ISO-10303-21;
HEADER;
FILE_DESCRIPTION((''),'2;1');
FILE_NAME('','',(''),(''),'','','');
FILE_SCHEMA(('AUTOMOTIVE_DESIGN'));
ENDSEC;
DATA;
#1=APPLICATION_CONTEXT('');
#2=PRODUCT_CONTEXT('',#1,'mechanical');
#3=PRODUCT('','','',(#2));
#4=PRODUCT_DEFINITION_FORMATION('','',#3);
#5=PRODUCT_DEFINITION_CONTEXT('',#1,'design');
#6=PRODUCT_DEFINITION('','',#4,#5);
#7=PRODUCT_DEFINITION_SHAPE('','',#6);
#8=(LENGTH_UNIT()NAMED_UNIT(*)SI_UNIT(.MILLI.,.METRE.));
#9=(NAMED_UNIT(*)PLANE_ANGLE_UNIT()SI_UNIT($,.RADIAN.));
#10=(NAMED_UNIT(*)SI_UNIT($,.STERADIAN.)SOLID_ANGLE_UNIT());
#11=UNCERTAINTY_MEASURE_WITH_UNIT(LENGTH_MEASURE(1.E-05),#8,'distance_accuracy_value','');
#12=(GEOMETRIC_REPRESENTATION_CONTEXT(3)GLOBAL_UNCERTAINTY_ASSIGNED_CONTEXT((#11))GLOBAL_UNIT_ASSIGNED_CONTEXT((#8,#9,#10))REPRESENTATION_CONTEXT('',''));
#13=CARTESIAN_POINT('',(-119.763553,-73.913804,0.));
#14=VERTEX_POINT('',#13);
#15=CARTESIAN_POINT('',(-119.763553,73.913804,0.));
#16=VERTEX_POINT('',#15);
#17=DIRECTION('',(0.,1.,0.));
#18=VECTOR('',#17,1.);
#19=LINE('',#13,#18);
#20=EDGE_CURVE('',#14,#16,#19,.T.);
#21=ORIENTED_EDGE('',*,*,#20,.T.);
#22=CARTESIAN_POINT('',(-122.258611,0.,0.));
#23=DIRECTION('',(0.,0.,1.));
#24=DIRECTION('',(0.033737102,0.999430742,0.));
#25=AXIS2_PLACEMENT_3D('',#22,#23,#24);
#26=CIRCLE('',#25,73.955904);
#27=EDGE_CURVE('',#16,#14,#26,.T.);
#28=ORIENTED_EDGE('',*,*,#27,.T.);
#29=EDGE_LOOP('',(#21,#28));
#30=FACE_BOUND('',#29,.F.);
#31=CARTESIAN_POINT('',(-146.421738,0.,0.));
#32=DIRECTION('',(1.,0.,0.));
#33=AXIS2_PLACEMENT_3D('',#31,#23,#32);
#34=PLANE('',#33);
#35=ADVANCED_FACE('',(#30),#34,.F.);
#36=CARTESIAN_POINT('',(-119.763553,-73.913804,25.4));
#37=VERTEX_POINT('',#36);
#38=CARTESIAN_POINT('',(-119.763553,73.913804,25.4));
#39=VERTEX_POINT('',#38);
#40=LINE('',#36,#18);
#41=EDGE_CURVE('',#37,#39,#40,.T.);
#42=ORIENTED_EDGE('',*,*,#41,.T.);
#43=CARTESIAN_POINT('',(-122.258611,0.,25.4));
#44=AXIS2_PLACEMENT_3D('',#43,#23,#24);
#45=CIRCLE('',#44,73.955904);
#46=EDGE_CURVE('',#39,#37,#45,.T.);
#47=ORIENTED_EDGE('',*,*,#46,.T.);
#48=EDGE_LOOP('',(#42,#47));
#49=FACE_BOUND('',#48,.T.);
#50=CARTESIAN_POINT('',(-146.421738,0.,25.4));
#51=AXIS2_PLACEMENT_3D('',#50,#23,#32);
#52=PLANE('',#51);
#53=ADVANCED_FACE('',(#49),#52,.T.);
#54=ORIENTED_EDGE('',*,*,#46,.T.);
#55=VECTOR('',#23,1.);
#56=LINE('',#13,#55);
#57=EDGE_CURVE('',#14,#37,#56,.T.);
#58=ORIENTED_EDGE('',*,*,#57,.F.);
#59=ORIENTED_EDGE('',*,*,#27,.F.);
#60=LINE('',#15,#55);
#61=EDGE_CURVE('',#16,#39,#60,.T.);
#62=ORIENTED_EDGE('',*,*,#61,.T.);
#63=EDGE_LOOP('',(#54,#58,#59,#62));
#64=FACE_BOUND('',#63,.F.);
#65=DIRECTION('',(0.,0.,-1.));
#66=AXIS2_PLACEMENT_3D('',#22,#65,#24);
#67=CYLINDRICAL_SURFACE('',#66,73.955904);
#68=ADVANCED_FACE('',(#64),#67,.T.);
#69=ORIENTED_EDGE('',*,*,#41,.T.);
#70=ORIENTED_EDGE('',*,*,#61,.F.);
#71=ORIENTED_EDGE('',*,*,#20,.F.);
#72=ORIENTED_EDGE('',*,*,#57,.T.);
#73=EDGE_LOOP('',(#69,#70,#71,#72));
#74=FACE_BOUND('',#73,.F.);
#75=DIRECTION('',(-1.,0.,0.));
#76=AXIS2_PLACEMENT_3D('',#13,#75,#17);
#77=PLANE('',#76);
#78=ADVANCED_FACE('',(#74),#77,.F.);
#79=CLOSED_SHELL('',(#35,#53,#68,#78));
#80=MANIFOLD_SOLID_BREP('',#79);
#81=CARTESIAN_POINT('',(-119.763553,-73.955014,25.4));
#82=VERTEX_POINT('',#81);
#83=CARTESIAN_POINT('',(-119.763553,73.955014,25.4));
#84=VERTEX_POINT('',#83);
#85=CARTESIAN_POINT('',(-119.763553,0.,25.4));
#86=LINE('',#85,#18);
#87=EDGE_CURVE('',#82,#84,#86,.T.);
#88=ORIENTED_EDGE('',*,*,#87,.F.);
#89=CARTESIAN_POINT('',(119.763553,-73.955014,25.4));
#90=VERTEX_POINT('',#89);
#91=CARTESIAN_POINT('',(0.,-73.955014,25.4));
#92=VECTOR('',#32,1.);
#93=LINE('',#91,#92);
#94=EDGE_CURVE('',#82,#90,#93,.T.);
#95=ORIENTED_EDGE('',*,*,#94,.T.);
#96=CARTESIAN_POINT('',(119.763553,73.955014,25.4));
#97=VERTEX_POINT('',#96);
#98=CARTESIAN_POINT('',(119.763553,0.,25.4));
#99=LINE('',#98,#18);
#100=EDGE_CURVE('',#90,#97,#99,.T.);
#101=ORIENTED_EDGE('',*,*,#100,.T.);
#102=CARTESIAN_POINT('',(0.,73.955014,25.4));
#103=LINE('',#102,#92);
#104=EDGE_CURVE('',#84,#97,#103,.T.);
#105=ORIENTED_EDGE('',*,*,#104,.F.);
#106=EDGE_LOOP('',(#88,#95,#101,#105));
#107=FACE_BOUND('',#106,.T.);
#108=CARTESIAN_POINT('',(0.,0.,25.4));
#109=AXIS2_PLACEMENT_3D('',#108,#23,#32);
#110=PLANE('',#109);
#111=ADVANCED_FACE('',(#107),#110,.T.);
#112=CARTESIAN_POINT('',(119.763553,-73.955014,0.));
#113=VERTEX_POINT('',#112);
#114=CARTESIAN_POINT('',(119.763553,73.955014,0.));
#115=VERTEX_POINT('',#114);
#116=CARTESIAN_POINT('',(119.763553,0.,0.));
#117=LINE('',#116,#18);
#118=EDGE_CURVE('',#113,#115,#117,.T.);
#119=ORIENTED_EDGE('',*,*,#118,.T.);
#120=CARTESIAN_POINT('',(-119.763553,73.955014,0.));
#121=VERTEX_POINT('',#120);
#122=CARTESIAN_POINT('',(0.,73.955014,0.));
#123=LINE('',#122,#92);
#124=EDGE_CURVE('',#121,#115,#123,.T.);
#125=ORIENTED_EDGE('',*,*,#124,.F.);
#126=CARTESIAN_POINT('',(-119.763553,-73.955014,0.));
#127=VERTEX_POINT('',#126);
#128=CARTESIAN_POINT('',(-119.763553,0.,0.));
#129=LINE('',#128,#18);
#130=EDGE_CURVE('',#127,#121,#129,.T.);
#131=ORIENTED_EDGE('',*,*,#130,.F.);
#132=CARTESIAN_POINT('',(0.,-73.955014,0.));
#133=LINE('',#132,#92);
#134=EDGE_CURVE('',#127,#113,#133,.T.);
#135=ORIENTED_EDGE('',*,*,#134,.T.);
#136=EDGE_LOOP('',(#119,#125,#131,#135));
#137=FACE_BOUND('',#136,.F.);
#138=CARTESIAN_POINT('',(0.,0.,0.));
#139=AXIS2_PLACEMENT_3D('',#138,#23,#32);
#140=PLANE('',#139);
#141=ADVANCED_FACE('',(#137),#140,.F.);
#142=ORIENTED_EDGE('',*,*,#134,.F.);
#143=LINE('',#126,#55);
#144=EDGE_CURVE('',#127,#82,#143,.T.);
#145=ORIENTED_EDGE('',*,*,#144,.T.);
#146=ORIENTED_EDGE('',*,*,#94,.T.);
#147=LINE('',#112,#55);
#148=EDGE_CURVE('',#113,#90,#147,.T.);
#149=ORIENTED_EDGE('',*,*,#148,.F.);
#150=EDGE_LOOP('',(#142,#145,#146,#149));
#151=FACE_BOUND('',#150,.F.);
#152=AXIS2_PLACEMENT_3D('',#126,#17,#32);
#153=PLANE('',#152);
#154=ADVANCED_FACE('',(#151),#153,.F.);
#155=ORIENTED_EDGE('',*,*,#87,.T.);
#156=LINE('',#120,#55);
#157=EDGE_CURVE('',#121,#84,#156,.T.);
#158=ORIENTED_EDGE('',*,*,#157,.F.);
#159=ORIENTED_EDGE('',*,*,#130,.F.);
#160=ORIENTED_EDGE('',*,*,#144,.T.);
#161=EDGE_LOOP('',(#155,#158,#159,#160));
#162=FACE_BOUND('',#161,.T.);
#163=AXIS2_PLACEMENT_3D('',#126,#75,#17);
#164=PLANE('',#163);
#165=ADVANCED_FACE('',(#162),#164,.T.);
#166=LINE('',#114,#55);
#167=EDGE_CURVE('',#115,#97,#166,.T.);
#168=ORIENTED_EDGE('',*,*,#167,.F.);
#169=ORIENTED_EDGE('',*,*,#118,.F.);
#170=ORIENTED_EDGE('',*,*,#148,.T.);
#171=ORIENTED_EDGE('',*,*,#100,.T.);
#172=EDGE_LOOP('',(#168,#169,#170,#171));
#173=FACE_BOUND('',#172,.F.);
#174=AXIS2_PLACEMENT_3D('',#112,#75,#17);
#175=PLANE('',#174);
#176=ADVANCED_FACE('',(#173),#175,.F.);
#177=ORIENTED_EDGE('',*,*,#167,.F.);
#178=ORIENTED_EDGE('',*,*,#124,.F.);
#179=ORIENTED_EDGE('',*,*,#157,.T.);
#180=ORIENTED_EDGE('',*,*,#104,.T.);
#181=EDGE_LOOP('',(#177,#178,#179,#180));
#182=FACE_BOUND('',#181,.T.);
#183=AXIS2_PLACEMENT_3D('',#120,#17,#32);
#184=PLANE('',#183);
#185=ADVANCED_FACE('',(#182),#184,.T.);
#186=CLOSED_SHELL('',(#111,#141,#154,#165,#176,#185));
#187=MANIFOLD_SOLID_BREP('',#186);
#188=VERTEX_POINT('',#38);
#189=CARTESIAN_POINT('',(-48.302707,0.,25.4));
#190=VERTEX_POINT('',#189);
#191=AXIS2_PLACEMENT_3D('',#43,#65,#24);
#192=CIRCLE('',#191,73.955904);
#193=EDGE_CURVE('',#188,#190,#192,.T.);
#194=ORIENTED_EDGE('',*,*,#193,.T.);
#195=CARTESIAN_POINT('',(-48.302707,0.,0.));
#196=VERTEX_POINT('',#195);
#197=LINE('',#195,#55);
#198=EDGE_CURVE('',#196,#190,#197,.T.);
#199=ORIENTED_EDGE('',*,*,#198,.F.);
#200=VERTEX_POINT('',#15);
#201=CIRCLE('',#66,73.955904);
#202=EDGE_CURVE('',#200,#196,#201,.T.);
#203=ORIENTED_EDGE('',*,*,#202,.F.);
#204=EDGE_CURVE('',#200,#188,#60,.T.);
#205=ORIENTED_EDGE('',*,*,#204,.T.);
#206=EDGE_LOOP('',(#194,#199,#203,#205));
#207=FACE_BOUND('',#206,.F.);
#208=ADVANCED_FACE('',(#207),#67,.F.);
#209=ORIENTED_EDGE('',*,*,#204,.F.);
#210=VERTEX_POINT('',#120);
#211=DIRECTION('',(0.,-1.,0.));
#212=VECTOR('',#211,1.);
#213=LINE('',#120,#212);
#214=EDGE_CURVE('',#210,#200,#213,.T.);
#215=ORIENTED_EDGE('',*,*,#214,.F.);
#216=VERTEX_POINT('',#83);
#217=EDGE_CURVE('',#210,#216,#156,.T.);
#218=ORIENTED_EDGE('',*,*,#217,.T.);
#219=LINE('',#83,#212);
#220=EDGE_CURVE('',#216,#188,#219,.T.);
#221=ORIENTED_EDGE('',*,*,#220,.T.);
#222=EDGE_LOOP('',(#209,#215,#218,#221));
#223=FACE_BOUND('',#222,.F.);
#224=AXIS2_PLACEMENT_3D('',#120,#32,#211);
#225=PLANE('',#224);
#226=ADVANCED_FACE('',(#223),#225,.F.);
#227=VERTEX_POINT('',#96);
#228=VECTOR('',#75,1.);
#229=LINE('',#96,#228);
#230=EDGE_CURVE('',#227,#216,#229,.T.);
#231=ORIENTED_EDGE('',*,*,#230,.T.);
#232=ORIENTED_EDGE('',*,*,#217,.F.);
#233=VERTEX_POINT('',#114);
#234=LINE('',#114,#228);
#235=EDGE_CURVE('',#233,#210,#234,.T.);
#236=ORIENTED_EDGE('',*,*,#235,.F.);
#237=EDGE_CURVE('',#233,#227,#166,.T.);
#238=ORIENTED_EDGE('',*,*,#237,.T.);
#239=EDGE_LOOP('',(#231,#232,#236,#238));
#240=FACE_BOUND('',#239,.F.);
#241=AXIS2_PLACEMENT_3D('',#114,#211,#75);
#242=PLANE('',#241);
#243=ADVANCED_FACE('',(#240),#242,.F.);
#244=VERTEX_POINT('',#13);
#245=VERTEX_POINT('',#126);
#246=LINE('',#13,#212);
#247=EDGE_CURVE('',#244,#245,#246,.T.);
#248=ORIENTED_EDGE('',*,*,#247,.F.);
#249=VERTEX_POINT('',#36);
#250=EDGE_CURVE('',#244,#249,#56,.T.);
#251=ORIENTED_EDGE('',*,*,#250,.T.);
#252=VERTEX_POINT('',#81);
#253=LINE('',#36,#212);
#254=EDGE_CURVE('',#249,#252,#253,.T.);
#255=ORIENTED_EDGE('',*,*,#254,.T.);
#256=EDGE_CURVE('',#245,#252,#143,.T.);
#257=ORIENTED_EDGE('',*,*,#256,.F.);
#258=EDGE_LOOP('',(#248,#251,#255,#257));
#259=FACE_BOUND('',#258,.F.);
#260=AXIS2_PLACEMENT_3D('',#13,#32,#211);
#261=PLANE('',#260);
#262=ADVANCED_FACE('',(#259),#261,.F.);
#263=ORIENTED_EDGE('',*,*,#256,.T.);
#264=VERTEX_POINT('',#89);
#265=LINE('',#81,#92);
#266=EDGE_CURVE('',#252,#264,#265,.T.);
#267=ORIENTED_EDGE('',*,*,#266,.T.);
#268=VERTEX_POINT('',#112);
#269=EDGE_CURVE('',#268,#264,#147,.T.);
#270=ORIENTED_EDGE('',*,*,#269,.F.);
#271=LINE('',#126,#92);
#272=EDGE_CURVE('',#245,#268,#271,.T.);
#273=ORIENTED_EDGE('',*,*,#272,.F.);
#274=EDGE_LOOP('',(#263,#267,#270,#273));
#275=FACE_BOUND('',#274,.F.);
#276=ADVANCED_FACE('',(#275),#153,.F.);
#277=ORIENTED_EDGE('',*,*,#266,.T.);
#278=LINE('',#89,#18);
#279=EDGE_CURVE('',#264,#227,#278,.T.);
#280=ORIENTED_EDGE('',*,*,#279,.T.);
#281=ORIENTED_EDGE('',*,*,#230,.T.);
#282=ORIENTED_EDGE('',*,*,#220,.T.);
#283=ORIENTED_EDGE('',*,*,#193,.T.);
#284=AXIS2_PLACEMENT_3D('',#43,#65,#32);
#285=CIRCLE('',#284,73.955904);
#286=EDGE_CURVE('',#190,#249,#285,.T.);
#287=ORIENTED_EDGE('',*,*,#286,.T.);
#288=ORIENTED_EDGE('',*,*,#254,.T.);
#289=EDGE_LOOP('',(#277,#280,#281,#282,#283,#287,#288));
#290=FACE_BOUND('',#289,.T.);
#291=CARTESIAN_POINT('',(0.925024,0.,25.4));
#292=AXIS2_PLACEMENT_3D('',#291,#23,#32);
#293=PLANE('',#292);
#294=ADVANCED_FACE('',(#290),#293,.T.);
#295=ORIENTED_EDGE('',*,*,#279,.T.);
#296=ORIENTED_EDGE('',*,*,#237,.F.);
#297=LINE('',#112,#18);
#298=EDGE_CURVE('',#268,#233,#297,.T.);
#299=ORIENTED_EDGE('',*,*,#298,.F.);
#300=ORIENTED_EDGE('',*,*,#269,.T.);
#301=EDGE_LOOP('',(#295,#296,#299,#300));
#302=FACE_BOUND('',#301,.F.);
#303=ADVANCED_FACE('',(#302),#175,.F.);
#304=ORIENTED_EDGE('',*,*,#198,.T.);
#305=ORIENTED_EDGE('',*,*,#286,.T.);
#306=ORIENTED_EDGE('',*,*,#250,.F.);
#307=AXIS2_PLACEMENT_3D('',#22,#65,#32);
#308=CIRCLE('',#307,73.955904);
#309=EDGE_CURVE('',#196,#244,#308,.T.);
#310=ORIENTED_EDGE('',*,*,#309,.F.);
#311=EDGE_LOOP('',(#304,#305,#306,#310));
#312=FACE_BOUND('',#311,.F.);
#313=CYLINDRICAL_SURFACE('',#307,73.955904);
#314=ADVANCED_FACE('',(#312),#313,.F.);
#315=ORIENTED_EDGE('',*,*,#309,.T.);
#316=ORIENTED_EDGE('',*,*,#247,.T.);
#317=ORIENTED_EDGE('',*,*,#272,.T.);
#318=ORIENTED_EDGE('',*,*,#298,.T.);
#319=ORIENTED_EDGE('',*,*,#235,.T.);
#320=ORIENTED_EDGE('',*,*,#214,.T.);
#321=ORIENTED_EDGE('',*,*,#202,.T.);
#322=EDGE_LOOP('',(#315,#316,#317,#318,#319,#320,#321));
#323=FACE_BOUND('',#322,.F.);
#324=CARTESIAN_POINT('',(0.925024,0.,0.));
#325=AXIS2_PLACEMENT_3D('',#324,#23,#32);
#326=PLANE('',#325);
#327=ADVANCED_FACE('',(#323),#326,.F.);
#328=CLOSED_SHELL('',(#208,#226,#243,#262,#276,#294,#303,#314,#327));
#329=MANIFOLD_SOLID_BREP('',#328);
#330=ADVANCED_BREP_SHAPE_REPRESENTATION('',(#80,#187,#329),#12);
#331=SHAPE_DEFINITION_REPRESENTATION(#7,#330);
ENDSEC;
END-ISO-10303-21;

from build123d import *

# Parameters (mm, degrees)
F3_DEPTH = 25.4
F0_W     = 239.5271062851
F0_H     = 147.9100286961


with BuildPart() as f3:
    # F1 (on face) → F3 (new body)
    with BuildSketch(Plane.XY):
        with BuildLine():
            ThreePointArc((-119.7635531425, 73.9138036714), (-69.089071119, 51.4050164222), (-48.3027073577, 0))
            ThreePointArc((-48.3027073577, 0), (-69.089071119, -51.4050164222), (-119.7635531425, -73.9138036714))
            Line((-119.7635531425, -73.9138036714), (-119.7635531425, -73.955014348))
            Line((-119.7635531425, -73.955014348), (119.7635531425, -73.955014348))
            Line((119.7635531425, -73.955014348), (119.7635531425, 73.955014348))
            Line((119.7635531425, 73.955014348), (-119.7635531425, 73.955014348))
            Line((-119.7635531425, 73.955014348), (-119.7635531425, 73.9138036714))
        make_face()
    extrude(amount=F3_DEPTH)


with BuildPart() as f3b:
    # F1 (on face) → F3, piece 2 (new body)
    with BuildSketch(Plane.XY):
        with BuildLine():
            Line((-119.7635531425, -73.9138036714), (-119.7635531425, 73.9138036714))
            ThreePointArc((-119.7635531425, 73.9138036714), (-196.2145146891, 0), (-119.7635531425, -73.9138036714))
        make_face()
    extrude(amount=F3_DEPTH)


with BuildPart() as f3c:
    # F0 (on Top) → F3, piece 3 (new body)
    with BuildSketch(Plane.XY):
        Rectangle(F0_W, F0_H)
    extrude(amount=F3_DEPTH)


solid = Compound([f3.part, f3b.part, f3c.part])
